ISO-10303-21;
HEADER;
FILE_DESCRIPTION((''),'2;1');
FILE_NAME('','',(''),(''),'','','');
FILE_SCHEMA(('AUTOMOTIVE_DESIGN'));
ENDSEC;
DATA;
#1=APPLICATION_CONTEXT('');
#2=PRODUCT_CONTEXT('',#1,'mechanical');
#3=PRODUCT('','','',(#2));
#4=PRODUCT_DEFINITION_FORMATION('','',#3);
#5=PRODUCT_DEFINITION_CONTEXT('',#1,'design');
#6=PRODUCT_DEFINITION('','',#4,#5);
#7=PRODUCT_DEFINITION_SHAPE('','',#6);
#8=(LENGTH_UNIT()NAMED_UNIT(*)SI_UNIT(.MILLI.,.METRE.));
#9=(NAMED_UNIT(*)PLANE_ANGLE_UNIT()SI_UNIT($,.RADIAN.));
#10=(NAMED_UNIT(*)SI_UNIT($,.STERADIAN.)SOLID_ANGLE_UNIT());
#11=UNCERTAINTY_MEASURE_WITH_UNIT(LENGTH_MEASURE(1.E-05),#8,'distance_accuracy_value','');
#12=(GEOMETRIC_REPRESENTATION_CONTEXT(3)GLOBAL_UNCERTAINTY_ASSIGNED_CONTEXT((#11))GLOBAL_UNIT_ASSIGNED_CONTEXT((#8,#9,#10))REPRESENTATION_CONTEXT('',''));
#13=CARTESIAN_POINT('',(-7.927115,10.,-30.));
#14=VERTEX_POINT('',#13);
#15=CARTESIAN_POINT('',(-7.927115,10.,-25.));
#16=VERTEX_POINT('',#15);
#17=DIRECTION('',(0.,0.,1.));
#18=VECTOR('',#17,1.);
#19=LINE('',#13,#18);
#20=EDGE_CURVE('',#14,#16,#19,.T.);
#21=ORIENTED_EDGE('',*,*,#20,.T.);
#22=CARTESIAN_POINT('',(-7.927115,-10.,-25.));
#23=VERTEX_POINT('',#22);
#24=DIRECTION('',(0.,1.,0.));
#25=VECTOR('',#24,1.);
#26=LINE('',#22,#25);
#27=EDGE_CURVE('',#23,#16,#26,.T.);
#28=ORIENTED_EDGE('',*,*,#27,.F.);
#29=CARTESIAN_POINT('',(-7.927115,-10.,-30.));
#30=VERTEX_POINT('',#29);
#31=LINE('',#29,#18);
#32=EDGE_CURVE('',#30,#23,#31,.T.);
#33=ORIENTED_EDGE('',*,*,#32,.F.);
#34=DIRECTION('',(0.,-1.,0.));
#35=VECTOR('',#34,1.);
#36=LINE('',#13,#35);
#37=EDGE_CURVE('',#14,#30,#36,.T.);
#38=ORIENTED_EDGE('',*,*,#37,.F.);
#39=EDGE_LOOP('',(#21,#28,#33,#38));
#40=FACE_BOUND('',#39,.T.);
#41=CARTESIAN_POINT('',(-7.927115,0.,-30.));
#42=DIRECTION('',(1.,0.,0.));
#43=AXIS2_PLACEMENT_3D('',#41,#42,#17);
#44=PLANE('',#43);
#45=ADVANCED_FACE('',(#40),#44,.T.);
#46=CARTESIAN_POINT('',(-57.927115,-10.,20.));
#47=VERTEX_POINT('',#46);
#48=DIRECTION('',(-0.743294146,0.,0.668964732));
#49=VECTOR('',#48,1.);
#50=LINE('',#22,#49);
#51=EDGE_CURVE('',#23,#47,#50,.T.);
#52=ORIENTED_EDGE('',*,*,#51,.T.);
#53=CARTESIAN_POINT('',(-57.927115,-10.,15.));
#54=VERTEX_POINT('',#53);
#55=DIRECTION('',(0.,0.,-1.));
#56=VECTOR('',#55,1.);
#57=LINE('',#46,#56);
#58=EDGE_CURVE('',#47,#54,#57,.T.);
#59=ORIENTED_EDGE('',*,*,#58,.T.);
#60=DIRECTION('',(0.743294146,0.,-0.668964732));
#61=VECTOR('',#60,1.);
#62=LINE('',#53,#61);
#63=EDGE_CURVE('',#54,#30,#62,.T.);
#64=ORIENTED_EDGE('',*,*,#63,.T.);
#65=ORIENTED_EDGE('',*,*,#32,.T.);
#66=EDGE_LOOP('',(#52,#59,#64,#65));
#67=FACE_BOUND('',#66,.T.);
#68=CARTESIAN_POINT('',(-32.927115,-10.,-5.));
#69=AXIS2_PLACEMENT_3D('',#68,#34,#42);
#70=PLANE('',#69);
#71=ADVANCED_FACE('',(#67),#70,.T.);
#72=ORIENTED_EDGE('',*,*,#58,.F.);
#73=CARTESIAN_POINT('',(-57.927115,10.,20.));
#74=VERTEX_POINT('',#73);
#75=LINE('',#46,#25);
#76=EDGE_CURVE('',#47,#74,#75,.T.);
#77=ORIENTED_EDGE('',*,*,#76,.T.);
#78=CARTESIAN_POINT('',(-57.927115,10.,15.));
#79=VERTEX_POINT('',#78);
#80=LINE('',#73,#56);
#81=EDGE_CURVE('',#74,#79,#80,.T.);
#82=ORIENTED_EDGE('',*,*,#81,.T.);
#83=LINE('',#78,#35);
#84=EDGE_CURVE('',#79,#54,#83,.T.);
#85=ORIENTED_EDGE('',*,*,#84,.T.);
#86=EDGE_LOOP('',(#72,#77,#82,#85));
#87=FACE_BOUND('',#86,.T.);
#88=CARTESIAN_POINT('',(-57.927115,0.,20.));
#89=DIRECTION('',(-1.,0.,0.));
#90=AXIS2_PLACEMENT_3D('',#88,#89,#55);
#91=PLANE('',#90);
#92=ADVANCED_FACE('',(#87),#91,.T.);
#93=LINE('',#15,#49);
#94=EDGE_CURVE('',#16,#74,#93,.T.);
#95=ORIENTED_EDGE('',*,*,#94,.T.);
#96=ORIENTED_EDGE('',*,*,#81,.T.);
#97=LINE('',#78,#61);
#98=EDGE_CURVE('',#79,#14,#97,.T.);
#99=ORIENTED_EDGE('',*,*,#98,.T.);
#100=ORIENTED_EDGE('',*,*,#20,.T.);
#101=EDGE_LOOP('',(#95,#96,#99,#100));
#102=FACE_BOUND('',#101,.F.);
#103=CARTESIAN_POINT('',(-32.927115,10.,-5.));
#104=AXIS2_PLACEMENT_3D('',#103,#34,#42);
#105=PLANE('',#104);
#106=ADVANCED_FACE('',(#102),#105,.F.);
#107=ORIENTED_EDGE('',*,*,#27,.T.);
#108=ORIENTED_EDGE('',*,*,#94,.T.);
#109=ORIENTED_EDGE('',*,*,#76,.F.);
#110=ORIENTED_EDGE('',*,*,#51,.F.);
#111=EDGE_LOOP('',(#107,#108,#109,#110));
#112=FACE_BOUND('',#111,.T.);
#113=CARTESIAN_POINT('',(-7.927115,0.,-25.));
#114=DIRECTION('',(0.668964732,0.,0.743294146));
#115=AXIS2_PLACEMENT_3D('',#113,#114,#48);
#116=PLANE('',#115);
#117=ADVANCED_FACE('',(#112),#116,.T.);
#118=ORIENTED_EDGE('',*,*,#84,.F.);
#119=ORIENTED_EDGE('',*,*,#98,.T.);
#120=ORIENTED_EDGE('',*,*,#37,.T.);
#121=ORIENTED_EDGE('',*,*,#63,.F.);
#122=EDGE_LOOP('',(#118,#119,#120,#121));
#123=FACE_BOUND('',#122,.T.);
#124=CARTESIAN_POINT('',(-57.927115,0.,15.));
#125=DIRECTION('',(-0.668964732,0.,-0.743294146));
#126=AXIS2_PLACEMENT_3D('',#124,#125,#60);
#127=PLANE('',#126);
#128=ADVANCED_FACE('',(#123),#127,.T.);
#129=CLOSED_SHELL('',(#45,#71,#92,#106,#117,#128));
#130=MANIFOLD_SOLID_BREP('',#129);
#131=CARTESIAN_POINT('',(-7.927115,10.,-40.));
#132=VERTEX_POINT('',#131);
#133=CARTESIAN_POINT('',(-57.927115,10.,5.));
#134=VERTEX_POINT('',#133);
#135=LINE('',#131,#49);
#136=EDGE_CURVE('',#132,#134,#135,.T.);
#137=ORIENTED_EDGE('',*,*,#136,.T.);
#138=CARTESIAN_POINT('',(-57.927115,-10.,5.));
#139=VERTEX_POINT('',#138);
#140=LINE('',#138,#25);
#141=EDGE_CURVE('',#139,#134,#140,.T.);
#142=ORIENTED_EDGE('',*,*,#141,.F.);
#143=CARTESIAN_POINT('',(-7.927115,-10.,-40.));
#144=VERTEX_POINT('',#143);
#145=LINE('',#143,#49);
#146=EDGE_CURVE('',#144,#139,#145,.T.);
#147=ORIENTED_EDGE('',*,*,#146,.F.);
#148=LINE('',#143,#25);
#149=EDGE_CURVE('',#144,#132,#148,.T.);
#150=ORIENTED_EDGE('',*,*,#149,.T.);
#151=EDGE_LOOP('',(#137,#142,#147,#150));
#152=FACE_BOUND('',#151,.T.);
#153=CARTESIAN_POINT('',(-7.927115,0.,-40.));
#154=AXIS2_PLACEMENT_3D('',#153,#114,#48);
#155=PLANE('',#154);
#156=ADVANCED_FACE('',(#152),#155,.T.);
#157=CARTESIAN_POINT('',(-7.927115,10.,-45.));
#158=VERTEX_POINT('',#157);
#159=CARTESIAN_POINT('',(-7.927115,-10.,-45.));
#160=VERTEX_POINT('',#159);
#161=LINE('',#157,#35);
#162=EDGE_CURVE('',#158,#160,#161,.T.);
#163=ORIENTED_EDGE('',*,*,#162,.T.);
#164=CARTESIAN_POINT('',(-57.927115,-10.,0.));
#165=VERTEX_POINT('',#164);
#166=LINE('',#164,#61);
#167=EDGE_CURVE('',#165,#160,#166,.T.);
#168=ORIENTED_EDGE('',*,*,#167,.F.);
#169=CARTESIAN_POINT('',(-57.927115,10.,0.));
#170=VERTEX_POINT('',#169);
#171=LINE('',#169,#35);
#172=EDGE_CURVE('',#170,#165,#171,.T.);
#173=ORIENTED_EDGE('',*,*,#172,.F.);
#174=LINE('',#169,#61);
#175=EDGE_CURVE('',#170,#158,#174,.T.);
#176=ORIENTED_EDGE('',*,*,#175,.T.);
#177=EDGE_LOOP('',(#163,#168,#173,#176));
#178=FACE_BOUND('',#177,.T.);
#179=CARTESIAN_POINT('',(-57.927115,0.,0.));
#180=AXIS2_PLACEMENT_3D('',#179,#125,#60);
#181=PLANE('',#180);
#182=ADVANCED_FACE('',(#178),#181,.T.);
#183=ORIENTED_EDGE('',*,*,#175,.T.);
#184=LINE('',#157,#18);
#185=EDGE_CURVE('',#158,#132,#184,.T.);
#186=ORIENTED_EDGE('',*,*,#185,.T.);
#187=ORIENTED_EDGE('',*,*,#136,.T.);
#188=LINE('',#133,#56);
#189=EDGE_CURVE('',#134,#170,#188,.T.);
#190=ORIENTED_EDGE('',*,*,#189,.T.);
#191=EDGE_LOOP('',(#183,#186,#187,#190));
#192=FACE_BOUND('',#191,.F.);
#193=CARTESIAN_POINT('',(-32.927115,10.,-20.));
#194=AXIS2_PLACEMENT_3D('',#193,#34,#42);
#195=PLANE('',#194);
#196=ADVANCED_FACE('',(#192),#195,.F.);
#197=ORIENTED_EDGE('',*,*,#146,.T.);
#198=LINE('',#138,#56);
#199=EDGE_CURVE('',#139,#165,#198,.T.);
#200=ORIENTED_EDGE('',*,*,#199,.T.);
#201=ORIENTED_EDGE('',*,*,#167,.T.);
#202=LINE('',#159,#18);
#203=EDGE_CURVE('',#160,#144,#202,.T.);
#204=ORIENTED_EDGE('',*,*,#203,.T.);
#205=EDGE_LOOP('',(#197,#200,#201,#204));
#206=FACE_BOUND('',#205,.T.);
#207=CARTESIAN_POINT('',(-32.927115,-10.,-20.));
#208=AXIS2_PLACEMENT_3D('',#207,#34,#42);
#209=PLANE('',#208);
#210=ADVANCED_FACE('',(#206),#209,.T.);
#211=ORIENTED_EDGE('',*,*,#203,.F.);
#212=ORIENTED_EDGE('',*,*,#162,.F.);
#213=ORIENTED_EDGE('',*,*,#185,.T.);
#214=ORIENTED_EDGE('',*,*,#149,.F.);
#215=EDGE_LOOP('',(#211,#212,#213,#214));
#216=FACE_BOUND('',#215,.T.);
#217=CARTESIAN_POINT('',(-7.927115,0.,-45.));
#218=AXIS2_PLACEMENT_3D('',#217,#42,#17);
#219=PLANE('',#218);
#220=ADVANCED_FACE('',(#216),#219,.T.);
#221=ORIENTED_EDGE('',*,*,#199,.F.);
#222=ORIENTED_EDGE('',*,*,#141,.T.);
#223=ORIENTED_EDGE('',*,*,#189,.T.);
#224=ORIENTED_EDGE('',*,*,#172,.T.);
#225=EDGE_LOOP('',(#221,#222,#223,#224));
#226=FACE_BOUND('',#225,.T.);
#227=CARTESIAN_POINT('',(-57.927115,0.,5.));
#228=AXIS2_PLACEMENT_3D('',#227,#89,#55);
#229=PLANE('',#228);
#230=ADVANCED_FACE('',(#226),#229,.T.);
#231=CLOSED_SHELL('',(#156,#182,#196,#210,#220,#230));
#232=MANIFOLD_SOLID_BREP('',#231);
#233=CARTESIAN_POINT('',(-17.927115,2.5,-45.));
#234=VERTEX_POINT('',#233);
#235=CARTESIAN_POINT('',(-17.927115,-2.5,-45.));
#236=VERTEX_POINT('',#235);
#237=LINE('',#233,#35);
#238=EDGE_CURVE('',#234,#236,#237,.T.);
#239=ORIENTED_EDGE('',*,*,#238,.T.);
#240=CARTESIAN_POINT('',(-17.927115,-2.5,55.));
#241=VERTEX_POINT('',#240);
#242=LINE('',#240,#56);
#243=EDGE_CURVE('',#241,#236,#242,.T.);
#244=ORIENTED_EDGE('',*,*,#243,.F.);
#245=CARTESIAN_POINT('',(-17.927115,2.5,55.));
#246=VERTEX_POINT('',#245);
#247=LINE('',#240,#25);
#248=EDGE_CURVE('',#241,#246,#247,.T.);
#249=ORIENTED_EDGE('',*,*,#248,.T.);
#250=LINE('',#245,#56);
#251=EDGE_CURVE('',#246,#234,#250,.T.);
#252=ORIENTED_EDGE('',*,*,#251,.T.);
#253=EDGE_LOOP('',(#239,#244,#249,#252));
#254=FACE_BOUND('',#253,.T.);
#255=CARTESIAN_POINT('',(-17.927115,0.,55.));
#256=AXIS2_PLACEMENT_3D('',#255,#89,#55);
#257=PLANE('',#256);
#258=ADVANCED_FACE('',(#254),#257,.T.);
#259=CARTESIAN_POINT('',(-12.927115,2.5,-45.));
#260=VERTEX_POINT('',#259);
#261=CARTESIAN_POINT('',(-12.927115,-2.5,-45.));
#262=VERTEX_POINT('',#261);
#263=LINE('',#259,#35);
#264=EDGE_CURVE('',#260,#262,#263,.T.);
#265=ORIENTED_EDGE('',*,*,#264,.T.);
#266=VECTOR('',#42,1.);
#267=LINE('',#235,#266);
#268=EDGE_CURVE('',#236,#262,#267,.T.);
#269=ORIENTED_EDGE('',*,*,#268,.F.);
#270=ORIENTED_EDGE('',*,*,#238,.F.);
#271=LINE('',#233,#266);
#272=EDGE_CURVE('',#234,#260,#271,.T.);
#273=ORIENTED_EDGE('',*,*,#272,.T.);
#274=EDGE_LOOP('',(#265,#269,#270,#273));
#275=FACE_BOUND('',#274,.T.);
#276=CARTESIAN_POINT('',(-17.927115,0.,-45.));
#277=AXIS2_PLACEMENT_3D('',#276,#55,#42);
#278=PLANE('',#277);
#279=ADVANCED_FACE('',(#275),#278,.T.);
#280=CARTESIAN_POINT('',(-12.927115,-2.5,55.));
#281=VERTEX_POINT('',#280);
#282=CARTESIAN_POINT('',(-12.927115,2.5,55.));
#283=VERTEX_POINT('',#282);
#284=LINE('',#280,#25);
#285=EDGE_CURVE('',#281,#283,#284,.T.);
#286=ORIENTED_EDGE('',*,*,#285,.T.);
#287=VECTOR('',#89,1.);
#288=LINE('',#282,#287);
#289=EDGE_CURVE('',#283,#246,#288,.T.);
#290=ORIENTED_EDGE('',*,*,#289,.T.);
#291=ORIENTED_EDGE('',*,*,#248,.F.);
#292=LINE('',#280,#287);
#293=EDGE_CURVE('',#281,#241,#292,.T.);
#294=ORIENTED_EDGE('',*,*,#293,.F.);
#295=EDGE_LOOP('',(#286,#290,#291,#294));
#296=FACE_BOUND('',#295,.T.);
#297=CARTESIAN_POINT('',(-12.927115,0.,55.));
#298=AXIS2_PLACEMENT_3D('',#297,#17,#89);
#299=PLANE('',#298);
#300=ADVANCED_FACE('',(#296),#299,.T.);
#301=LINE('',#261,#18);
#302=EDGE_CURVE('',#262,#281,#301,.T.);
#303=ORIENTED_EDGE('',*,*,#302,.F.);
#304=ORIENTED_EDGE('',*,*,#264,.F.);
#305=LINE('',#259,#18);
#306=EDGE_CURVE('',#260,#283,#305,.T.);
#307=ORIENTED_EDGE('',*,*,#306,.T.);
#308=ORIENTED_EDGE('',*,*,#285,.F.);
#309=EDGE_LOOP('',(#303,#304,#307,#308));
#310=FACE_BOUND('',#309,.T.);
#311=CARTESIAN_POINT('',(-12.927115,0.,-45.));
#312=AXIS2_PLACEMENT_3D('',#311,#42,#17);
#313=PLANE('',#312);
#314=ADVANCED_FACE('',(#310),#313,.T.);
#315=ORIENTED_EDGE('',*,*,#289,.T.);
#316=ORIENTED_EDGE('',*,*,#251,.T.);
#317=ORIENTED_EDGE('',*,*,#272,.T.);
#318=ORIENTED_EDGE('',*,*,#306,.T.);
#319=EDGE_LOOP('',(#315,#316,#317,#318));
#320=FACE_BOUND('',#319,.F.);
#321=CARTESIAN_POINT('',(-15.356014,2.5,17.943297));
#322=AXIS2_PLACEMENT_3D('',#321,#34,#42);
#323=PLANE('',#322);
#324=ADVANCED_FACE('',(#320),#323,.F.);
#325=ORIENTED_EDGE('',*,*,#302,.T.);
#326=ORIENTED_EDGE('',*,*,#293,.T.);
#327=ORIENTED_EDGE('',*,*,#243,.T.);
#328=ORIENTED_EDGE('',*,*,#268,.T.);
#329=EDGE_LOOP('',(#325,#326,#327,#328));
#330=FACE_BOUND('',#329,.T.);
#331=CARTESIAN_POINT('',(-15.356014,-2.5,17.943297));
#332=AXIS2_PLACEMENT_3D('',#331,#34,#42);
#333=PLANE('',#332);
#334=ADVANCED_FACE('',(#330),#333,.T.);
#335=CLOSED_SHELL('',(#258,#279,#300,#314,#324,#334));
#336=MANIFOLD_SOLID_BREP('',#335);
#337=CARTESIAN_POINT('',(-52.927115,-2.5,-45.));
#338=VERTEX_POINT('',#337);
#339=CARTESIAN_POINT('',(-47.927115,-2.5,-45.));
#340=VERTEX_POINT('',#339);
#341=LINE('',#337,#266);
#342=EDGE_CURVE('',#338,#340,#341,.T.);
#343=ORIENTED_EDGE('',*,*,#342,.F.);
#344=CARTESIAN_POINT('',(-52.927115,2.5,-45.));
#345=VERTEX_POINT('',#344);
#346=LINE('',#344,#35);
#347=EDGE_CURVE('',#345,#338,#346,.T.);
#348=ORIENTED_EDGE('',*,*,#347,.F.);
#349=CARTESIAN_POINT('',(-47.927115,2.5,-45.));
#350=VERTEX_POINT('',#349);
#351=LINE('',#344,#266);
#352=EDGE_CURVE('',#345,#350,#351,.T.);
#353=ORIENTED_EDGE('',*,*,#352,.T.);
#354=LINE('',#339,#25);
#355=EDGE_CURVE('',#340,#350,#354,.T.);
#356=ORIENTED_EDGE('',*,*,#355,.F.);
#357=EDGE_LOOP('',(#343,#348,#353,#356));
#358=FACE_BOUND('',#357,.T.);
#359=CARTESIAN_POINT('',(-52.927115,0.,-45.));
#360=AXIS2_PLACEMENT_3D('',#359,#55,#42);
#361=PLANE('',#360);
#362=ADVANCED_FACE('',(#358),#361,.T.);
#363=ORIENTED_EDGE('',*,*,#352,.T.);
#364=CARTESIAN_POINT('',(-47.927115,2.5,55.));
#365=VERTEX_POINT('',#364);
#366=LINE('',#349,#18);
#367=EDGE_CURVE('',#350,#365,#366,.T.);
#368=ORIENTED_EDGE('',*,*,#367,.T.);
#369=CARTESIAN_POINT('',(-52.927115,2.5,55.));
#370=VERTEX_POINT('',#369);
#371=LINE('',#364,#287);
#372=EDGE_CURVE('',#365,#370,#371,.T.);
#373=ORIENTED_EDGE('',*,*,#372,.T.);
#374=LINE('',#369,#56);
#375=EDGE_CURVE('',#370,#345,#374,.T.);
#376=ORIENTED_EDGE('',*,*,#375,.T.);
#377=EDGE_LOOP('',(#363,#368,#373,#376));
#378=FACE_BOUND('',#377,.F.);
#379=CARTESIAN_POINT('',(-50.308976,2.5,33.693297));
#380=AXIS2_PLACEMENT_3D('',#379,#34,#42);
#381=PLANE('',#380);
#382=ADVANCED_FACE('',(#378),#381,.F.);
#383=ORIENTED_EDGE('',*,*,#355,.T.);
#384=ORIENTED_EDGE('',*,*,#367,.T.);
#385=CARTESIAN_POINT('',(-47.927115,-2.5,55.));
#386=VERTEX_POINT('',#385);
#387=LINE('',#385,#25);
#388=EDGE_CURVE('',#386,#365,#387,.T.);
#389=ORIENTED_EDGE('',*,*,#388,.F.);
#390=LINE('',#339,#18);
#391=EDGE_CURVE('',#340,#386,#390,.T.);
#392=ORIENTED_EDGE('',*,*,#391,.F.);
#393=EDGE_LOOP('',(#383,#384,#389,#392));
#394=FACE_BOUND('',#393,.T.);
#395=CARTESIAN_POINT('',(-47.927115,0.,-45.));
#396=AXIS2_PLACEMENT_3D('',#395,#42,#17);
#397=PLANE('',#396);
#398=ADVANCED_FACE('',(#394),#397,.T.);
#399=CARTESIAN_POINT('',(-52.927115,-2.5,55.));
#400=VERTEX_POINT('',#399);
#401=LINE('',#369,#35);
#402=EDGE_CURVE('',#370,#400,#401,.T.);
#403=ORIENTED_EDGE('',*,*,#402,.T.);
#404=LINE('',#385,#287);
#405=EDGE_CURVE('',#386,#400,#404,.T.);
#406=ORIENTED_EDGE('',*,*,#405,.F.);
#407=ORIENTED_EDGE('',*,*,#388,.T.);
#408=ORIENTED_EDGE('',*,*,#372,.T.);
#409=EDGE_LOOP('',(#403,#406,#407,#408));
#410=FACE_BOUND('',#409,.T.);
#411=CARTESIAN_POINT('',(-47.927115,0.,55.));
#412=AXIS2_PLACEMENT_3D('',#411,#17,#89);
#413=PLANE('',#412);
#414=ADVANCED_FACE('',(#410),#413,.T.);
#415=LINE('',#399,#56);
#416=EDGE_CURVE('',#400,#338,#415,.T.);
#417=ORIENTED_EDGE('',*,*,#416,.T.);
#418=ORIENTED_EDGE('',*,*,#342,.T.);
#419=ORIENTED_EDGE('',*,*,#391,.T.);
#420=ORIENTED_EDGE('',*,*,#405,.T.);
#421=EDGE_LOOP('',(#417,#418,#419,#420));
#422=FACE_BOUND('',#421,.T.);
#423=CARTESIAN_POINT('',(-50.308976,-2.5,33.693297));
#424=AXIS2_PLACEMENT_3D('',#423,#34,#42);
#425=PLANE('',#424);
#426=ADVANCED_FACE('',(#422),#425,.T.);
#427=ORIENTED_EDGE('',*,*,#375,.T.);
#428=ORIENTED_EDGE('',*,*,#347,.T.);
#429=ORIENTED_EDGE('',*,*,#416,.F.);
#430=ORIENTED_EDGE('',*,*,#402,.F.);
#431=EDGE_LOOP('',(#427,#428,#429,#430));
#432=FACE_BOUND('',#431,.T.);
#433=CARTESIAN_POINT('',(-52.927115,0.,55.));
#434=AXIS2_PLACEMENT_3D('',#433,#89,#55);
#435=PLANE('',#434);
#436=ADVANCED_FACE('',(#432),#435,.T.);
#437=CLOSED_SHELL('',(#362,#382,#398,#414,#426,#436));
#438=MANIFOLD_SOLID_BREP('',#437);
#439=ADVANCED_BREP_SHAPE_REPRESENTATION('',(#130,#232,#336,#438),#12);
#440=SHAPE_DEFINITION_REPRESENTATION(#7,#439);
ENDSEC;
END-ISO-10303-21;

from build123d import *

# Parameters (mm, degrees)
F1_DEPTH      = 2.5
F1_DEPTH_BACK = 2.5
F2_DEPTH      = 10
F2_DEPTH_BACK = 10


with BuildPart() as f1:
    # F0 (on Front) → F1 (new body, two sides)
    with BuildSketch(Plane.XZ) as f1_sk:
        Polygon((-47.9271147301, 55), (-52.9271147301, 55), (-52.9271147301, 15.5), (-47.9271147301, 11), align=None)
        Polygon((-47.9271147301, -9), (-52.9271147301, -4.5), (-52.9271147301, -45), (-47.9271147301, -45), align=None)
        Polygon((-47.9271147301, 6), (-52.9271147301, 10.5), (-52.9271147301, 0.5), (-47.9271147301, -4), align=None)
        Polygon((-47.9271147301, 11), (-52.9271147301, 15.5), (-52.9271147301, 10.5), (-47.9271147301, 6), align=None)
        Polygon((-47.9271147301, -4), (-52.9271147301, 0.5), (-52.9271147301, -4.5), (-47.9271147301, -9), align=None)
    extrude(amount=F1_DEPTH)
    extrude(f1_sk.sketch, amount=-F1_DEPTH_BACK)


with BuildPart() as f1b:
    # F0 (on Front) → F1, piece 2 (new body, two sides)
    with BuildSketch(Plane.XZ) as f1_2_sk:
        Polygon((-17.9271147301, 55), (-17.9271147301, -16), (-12.9271147301, -20.5), (-12.9271147301, 55), align=None)
        Polygon((-12.9271147301, -40.5), (-17.9271147301, -36), (-17.9271147301, -45), (-12.9271147301, -45), align=None)
        Polygon((-12.9271147301, -25.5), (-17.9271147301, -21), (-17.9271147301, -31), (-12.9271147301, -35.5), align=None)
        Polygon((-12.9271147301, -20.5), (-17.9271147301, -16), (-17.9271147301, -21), (-12.9271147301, -25.5), align=None)
        Polygon((-12.9271147301, -35.5), (-17.9271147301, -31), (-17.9271147301, -36), (-12.9271147301, -40.5), align=None)
    extrude(amount=F1_DEPTH)
    extrude(f1_2_sk.sketch, amount=-F1_DEPTH_BACK)


with BuildPart() as f2:
    # F0 (on Front) → F2 (new body, two sides)
    with BuildSketch(Plane.XZ) as f2_sk:
        Polygon((-17.9271147301, -16), (-47.9271147301, 11), (-47.9271147301, 6), (-17.9271147301, -21), align=None)
        Polygon((-52.9271147301, 10.5), (-52.9271147301, 15.5), (-57.9271147301, 20), (-57.9271147301, 15), align=None)
        Polygon((-7.9271147301, -25), (-12.9271147301, -20.5), (-12.9271147301, -25.5), (-7.9271147301, -30), align=None)
        Polygon((-47.9271147301, 11), (-52.9271147301, 15.5), (-52.9271147301, 10.5), (-47.9271147301, 6), align=None)
        Polygon((-12.9271147301, -20.5), (-17.9271147301, -16), (-17.9271147301, -21), (-12.9271147301, -25.5), align=None)
    extrude(amount=F2_DEPTH)
    extrude(f2_sk.sketch, amount=-F2_DEPTH_BACK)


with BuildPart() as f2b:
    # F0 (on Front) → F2, piece 2 (new body, two sides)
    with BuildSketch(Plane.XZ) as f2_2_sk:
        Polygon((-17.9271147301, -31), (-47.9271147301, -4), (-47.9271147301, -9), (-17.9271147301, -36), align=None)
        Polygon((-52.9271147301, -4.5), (-52.9271147301, 0.5), (-57.9271147301, 5), (-57.9271147301, 0), align=None)
        Polygon((-7.9271147301, -40), (-12.9271147301, -35.5), (-12.9271147301, -40.5), (-7.9271147301, -45), align=None)
        Polygon((-47.9271147301, -4), (-52.9271147301, 0.5), (-52.9271147301, -4.5), (-47.9271147301, -9), align=None)
        Polygon((-12.9271147301, -35.5), (-17.9271147301, -31), (-17.9271147301, -36), (-12.9271147301, -40.5), align=None)
    extrude(amount=F2_DEPTH)
    extrude(f2_2_sk.sketch, amount=-F2_DEPTH_BACK)


solid = Compound([f1.part, f1b.part, f2.part, f2b.part])
